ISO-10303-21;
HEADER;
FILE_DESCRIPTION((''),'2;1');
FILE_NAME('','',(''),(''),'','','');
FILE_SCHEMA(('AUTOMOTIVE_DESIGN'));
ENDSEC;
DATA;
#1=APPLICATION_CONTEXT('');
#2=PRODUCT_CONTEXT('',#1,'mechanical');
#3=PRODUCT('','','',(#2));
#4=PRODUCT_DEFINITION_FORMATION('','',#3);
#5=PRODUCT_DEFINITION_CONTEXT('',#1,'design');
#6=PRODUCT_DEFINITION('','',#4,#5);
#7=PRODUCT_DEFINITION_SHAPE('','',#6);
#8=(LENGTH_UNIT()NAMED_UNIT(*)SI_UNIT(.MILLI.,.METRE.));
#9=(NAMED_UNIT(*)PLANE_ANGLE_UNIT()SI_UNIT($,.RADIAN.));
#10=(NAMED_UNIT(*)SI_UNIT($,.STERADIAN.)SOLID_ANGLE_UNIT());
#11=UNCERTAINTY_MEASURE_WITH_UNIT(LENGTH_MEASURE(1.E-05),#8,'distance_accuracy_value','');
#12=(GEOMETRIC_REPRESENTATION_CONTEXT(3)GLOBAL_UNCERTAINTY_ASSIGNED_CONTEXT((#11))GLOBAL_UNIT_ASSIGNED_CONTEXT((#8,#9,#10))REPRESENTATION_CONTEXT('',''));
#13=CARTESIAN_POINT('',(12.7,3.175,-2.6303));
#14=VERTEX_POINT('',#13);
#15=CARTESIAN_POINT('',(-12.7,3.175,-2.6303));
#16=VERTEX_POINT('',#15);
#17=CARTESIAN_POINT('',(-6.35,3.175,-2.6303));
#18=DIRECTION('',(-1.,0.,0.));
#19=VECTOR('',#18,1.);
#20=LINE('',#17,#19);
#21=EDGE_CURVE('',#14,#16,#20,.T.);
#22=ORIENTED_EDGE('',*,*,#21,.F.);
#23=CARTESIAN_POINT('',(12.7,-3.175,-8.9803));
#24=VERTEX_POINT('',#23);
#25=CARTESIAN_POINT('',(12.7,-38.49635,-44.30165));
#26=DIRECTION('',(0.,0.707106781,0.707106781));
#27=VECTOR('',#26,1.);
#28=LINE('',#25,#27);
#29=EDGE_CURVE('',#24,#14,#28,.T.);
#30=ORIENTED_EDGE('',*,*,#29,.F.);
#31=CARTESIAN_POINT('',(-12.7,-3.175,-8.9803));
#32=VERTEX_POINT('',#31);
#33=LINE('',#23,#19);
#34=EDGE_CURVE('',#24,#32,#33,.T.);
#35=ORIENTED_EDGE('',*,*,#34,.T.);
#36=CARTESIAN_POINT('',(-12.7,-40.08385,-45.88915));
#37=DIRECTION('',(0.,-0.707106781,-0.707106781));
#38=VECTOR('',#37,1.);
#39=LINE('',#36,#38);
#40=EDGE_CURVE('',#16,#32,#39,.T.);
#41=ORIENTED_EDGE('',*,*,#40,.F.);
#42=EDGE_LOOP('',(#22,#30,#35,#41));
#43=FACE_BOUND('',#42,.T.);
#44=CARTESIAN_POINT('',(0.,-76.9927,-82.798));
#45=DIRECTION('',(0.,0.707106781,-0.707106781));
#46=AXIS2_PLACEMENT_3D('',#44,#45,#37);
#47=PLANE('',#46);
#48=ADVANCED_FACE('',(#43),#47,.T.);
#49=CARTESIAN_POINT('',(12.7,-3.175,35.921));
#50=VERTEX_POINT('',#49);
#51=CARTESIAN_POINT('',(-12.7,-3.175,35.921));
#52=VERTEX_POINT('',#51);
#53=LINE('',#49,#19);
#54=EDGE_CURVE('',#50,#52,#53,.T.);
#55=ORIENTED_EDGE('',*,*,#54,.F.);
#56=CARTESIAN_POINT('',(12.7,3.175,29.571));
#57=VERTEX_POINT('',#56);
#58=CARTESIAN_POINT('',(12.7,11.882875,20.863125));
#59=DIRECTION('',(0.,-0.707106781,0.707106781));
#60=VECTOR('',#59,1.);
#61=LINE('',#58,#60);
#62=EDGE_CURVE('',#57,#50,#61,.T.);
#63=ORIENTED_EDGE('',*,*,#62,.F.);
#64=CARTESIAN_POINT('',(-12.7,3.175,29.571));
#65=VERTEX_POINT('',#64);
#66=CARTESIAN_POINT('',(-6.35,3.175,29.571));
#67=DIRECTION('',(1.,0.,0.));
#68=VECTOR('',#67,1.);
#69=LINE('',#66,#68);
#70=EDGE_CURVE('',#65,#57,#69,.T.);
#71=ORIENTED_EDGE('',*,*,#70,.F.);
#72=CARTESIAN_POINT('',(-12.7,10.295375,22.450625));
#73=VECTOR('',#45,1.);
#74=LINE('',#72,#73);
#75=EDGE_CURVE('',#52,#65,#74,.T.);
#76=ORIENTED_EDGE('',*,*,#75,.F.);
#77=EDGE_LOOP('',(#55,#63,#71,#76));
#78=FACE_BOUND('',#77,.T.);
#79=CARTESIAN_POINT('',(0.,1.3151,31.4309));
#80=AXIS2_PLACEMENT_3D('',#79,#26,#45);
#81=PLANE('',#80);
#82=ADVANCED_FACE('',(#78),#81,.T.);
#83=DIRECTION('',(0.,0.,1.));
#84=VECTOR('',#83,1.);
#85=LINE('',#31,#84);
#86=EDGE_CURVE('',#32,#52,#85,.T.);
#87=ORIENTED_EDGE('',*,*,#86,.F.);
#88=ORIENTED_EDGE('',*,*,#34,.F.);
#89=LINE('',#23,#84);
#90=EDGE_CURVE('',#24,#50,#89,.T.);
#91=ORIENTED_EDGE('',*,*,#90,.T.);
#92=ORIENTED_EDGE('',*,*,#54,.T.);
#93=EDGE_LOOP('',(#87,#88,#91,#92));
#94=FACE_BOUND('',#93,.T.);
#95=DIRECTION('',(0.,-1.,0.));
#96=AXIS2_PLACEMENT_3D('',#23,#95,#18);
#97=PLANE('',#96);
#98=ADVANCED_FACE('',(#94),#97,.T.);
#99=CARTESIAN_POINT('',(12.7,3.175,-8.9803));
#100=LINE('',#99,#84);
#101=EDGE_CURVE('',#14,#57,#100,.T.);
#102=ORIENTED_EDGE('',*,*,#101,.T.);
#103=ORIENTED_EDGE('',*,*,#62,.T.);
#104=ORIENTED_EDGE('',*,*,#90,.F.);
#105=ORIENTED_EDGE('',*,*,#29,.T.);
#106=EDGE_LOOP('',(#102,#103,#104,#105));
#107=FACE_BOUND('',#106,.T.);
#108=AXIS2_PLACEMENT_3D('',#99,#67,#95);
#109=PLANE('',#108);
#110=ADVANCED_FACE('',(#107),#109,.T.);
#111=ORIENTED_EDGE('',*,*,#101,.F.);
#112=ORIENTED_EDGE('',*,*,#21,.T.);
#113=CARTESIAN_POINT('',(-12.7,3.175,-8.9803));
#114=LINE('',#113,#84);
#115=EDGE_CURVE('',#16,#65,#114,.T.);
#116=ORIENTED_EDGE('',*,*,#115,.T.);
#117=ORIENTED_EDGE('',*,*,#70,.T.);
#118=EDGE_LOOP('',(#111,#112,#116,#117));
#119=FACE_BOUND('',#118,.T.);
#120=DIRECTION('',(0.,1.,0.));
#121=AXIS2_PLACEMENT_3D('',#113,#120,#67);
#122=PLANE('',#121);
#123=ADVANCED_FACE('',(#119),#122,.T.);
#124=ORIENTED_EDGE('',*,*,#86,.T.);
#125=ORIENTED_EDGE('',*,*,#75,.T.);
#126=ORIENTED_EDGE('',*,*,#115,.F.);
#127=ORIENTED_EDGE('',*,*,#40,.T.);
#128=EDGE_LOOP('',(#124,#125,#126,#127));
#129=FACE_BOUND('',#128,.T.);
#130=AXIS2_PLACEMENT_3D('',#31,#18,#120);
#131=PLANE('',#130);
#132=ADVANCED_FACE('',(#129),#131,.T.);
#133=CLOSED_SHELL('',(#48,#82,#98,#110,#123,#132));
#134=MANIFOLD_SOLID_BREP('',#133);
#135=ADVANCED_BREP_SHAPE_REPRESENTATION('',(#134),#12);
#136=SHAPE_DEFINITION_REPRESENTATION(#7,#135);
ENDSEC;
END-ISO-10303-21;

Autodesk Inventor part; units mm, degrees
ref_plane "Start plane" through (0, 0, -8.9803) normal (0, 0, 1) x (1, 0, 0)
ref_plane "End plane" through (0, 0, 35.921) normal (0, 0, 1) x (1, 0, 0)
sketch "Sketch" plane through (0, 0, 0) normal (0, 0, 1) x (1, 0, 0)
  line L0 (12.7, -3.175) -> (-12.7, -3.175)
  line L1 (-12.7, -3.175) -> (-12.7, 3.175)
  line L2 (-12.7, 3.175) -> (12.7, 3.175)
  line L3 (12.7, 3.175) -> (12.7, -3.175)
  line L4 (-6, 0) -> (8, 0) construction
  line L5 (0, -30) -> (0, 40) construction
  line L6 (0, 54) -> (0, -44) construction
  line L7 (-17.78, 0) -> (17.78, 0) construction
  dimension "d0" = 6.35
  dimension "d1" = 25.4
  dimension "d4" = 12.7
  dimension "d5" = 3.175
extrude "Body" add sketch "Sketch" along normal up to surface (44.9013 mm away) from surface at -8.9803
sketch "Sketch3" plane through (0, 0, 0) normal (0, 0, 1) x (1, 0, 0)
  line L0 (0, 0) -> (10, 0)
ref_plane "Work Plane3" through (0, 0, 0) normal (0, -1, 0) x (1, 0, 0)
sketch "Sketch4" plane through (0, 0, 0) normal (0, -1, 0) x (1, 0, 0)
  line L0 (-2, -8.9803) -> (12, -8.9803)
  line L1 (-2, 35.921) -> (12, 35.921)
  dimension "d9" = 44.9013
ref_plane "Work Plane4" through (0, -76.9927, -82.798) normal (0, 0.7071, -0.7071) x (1, 0, 0)
split "Split1" plane through (0, -76.9927, -82.798) removes the side toward (0, 0.7071, -0.7071)
ref_plane "Work Plane5" through (0, 1.3151, 31.4309) normal (0, 0.7071, 0.7071) x (1, 0, 0)
split "Split2" plane through (0, 1.3151, 31.4309) removes the side toward (0, 0.7071, 0.7071)
equation "\"d0\" = G_W"
equation "\"d1\" = G_H"
equation "\"d4\" = 0.5 * d1"
equation "\"d5\" = 0.5 * d0"
equation "\"d2\" = G_L"
equation "\"G_W\" = 6.35"
equation "\"G_H\" = 25.4"
equation "\"G_L\" = d9"
equation "\"G_OFFSET_START\" = 8.98026"
equation "\"G_OFFSET_END\" = 8.98026"
equation "\"d6\" = -G_OFFSET_START"
equation "\"d7\" = G_OFFSET_END + B_L"
equation "\"B_L\" = 26.94077"
properties part number "AISC - 1/4x1 - 1.768" material "Steel, Mild"
